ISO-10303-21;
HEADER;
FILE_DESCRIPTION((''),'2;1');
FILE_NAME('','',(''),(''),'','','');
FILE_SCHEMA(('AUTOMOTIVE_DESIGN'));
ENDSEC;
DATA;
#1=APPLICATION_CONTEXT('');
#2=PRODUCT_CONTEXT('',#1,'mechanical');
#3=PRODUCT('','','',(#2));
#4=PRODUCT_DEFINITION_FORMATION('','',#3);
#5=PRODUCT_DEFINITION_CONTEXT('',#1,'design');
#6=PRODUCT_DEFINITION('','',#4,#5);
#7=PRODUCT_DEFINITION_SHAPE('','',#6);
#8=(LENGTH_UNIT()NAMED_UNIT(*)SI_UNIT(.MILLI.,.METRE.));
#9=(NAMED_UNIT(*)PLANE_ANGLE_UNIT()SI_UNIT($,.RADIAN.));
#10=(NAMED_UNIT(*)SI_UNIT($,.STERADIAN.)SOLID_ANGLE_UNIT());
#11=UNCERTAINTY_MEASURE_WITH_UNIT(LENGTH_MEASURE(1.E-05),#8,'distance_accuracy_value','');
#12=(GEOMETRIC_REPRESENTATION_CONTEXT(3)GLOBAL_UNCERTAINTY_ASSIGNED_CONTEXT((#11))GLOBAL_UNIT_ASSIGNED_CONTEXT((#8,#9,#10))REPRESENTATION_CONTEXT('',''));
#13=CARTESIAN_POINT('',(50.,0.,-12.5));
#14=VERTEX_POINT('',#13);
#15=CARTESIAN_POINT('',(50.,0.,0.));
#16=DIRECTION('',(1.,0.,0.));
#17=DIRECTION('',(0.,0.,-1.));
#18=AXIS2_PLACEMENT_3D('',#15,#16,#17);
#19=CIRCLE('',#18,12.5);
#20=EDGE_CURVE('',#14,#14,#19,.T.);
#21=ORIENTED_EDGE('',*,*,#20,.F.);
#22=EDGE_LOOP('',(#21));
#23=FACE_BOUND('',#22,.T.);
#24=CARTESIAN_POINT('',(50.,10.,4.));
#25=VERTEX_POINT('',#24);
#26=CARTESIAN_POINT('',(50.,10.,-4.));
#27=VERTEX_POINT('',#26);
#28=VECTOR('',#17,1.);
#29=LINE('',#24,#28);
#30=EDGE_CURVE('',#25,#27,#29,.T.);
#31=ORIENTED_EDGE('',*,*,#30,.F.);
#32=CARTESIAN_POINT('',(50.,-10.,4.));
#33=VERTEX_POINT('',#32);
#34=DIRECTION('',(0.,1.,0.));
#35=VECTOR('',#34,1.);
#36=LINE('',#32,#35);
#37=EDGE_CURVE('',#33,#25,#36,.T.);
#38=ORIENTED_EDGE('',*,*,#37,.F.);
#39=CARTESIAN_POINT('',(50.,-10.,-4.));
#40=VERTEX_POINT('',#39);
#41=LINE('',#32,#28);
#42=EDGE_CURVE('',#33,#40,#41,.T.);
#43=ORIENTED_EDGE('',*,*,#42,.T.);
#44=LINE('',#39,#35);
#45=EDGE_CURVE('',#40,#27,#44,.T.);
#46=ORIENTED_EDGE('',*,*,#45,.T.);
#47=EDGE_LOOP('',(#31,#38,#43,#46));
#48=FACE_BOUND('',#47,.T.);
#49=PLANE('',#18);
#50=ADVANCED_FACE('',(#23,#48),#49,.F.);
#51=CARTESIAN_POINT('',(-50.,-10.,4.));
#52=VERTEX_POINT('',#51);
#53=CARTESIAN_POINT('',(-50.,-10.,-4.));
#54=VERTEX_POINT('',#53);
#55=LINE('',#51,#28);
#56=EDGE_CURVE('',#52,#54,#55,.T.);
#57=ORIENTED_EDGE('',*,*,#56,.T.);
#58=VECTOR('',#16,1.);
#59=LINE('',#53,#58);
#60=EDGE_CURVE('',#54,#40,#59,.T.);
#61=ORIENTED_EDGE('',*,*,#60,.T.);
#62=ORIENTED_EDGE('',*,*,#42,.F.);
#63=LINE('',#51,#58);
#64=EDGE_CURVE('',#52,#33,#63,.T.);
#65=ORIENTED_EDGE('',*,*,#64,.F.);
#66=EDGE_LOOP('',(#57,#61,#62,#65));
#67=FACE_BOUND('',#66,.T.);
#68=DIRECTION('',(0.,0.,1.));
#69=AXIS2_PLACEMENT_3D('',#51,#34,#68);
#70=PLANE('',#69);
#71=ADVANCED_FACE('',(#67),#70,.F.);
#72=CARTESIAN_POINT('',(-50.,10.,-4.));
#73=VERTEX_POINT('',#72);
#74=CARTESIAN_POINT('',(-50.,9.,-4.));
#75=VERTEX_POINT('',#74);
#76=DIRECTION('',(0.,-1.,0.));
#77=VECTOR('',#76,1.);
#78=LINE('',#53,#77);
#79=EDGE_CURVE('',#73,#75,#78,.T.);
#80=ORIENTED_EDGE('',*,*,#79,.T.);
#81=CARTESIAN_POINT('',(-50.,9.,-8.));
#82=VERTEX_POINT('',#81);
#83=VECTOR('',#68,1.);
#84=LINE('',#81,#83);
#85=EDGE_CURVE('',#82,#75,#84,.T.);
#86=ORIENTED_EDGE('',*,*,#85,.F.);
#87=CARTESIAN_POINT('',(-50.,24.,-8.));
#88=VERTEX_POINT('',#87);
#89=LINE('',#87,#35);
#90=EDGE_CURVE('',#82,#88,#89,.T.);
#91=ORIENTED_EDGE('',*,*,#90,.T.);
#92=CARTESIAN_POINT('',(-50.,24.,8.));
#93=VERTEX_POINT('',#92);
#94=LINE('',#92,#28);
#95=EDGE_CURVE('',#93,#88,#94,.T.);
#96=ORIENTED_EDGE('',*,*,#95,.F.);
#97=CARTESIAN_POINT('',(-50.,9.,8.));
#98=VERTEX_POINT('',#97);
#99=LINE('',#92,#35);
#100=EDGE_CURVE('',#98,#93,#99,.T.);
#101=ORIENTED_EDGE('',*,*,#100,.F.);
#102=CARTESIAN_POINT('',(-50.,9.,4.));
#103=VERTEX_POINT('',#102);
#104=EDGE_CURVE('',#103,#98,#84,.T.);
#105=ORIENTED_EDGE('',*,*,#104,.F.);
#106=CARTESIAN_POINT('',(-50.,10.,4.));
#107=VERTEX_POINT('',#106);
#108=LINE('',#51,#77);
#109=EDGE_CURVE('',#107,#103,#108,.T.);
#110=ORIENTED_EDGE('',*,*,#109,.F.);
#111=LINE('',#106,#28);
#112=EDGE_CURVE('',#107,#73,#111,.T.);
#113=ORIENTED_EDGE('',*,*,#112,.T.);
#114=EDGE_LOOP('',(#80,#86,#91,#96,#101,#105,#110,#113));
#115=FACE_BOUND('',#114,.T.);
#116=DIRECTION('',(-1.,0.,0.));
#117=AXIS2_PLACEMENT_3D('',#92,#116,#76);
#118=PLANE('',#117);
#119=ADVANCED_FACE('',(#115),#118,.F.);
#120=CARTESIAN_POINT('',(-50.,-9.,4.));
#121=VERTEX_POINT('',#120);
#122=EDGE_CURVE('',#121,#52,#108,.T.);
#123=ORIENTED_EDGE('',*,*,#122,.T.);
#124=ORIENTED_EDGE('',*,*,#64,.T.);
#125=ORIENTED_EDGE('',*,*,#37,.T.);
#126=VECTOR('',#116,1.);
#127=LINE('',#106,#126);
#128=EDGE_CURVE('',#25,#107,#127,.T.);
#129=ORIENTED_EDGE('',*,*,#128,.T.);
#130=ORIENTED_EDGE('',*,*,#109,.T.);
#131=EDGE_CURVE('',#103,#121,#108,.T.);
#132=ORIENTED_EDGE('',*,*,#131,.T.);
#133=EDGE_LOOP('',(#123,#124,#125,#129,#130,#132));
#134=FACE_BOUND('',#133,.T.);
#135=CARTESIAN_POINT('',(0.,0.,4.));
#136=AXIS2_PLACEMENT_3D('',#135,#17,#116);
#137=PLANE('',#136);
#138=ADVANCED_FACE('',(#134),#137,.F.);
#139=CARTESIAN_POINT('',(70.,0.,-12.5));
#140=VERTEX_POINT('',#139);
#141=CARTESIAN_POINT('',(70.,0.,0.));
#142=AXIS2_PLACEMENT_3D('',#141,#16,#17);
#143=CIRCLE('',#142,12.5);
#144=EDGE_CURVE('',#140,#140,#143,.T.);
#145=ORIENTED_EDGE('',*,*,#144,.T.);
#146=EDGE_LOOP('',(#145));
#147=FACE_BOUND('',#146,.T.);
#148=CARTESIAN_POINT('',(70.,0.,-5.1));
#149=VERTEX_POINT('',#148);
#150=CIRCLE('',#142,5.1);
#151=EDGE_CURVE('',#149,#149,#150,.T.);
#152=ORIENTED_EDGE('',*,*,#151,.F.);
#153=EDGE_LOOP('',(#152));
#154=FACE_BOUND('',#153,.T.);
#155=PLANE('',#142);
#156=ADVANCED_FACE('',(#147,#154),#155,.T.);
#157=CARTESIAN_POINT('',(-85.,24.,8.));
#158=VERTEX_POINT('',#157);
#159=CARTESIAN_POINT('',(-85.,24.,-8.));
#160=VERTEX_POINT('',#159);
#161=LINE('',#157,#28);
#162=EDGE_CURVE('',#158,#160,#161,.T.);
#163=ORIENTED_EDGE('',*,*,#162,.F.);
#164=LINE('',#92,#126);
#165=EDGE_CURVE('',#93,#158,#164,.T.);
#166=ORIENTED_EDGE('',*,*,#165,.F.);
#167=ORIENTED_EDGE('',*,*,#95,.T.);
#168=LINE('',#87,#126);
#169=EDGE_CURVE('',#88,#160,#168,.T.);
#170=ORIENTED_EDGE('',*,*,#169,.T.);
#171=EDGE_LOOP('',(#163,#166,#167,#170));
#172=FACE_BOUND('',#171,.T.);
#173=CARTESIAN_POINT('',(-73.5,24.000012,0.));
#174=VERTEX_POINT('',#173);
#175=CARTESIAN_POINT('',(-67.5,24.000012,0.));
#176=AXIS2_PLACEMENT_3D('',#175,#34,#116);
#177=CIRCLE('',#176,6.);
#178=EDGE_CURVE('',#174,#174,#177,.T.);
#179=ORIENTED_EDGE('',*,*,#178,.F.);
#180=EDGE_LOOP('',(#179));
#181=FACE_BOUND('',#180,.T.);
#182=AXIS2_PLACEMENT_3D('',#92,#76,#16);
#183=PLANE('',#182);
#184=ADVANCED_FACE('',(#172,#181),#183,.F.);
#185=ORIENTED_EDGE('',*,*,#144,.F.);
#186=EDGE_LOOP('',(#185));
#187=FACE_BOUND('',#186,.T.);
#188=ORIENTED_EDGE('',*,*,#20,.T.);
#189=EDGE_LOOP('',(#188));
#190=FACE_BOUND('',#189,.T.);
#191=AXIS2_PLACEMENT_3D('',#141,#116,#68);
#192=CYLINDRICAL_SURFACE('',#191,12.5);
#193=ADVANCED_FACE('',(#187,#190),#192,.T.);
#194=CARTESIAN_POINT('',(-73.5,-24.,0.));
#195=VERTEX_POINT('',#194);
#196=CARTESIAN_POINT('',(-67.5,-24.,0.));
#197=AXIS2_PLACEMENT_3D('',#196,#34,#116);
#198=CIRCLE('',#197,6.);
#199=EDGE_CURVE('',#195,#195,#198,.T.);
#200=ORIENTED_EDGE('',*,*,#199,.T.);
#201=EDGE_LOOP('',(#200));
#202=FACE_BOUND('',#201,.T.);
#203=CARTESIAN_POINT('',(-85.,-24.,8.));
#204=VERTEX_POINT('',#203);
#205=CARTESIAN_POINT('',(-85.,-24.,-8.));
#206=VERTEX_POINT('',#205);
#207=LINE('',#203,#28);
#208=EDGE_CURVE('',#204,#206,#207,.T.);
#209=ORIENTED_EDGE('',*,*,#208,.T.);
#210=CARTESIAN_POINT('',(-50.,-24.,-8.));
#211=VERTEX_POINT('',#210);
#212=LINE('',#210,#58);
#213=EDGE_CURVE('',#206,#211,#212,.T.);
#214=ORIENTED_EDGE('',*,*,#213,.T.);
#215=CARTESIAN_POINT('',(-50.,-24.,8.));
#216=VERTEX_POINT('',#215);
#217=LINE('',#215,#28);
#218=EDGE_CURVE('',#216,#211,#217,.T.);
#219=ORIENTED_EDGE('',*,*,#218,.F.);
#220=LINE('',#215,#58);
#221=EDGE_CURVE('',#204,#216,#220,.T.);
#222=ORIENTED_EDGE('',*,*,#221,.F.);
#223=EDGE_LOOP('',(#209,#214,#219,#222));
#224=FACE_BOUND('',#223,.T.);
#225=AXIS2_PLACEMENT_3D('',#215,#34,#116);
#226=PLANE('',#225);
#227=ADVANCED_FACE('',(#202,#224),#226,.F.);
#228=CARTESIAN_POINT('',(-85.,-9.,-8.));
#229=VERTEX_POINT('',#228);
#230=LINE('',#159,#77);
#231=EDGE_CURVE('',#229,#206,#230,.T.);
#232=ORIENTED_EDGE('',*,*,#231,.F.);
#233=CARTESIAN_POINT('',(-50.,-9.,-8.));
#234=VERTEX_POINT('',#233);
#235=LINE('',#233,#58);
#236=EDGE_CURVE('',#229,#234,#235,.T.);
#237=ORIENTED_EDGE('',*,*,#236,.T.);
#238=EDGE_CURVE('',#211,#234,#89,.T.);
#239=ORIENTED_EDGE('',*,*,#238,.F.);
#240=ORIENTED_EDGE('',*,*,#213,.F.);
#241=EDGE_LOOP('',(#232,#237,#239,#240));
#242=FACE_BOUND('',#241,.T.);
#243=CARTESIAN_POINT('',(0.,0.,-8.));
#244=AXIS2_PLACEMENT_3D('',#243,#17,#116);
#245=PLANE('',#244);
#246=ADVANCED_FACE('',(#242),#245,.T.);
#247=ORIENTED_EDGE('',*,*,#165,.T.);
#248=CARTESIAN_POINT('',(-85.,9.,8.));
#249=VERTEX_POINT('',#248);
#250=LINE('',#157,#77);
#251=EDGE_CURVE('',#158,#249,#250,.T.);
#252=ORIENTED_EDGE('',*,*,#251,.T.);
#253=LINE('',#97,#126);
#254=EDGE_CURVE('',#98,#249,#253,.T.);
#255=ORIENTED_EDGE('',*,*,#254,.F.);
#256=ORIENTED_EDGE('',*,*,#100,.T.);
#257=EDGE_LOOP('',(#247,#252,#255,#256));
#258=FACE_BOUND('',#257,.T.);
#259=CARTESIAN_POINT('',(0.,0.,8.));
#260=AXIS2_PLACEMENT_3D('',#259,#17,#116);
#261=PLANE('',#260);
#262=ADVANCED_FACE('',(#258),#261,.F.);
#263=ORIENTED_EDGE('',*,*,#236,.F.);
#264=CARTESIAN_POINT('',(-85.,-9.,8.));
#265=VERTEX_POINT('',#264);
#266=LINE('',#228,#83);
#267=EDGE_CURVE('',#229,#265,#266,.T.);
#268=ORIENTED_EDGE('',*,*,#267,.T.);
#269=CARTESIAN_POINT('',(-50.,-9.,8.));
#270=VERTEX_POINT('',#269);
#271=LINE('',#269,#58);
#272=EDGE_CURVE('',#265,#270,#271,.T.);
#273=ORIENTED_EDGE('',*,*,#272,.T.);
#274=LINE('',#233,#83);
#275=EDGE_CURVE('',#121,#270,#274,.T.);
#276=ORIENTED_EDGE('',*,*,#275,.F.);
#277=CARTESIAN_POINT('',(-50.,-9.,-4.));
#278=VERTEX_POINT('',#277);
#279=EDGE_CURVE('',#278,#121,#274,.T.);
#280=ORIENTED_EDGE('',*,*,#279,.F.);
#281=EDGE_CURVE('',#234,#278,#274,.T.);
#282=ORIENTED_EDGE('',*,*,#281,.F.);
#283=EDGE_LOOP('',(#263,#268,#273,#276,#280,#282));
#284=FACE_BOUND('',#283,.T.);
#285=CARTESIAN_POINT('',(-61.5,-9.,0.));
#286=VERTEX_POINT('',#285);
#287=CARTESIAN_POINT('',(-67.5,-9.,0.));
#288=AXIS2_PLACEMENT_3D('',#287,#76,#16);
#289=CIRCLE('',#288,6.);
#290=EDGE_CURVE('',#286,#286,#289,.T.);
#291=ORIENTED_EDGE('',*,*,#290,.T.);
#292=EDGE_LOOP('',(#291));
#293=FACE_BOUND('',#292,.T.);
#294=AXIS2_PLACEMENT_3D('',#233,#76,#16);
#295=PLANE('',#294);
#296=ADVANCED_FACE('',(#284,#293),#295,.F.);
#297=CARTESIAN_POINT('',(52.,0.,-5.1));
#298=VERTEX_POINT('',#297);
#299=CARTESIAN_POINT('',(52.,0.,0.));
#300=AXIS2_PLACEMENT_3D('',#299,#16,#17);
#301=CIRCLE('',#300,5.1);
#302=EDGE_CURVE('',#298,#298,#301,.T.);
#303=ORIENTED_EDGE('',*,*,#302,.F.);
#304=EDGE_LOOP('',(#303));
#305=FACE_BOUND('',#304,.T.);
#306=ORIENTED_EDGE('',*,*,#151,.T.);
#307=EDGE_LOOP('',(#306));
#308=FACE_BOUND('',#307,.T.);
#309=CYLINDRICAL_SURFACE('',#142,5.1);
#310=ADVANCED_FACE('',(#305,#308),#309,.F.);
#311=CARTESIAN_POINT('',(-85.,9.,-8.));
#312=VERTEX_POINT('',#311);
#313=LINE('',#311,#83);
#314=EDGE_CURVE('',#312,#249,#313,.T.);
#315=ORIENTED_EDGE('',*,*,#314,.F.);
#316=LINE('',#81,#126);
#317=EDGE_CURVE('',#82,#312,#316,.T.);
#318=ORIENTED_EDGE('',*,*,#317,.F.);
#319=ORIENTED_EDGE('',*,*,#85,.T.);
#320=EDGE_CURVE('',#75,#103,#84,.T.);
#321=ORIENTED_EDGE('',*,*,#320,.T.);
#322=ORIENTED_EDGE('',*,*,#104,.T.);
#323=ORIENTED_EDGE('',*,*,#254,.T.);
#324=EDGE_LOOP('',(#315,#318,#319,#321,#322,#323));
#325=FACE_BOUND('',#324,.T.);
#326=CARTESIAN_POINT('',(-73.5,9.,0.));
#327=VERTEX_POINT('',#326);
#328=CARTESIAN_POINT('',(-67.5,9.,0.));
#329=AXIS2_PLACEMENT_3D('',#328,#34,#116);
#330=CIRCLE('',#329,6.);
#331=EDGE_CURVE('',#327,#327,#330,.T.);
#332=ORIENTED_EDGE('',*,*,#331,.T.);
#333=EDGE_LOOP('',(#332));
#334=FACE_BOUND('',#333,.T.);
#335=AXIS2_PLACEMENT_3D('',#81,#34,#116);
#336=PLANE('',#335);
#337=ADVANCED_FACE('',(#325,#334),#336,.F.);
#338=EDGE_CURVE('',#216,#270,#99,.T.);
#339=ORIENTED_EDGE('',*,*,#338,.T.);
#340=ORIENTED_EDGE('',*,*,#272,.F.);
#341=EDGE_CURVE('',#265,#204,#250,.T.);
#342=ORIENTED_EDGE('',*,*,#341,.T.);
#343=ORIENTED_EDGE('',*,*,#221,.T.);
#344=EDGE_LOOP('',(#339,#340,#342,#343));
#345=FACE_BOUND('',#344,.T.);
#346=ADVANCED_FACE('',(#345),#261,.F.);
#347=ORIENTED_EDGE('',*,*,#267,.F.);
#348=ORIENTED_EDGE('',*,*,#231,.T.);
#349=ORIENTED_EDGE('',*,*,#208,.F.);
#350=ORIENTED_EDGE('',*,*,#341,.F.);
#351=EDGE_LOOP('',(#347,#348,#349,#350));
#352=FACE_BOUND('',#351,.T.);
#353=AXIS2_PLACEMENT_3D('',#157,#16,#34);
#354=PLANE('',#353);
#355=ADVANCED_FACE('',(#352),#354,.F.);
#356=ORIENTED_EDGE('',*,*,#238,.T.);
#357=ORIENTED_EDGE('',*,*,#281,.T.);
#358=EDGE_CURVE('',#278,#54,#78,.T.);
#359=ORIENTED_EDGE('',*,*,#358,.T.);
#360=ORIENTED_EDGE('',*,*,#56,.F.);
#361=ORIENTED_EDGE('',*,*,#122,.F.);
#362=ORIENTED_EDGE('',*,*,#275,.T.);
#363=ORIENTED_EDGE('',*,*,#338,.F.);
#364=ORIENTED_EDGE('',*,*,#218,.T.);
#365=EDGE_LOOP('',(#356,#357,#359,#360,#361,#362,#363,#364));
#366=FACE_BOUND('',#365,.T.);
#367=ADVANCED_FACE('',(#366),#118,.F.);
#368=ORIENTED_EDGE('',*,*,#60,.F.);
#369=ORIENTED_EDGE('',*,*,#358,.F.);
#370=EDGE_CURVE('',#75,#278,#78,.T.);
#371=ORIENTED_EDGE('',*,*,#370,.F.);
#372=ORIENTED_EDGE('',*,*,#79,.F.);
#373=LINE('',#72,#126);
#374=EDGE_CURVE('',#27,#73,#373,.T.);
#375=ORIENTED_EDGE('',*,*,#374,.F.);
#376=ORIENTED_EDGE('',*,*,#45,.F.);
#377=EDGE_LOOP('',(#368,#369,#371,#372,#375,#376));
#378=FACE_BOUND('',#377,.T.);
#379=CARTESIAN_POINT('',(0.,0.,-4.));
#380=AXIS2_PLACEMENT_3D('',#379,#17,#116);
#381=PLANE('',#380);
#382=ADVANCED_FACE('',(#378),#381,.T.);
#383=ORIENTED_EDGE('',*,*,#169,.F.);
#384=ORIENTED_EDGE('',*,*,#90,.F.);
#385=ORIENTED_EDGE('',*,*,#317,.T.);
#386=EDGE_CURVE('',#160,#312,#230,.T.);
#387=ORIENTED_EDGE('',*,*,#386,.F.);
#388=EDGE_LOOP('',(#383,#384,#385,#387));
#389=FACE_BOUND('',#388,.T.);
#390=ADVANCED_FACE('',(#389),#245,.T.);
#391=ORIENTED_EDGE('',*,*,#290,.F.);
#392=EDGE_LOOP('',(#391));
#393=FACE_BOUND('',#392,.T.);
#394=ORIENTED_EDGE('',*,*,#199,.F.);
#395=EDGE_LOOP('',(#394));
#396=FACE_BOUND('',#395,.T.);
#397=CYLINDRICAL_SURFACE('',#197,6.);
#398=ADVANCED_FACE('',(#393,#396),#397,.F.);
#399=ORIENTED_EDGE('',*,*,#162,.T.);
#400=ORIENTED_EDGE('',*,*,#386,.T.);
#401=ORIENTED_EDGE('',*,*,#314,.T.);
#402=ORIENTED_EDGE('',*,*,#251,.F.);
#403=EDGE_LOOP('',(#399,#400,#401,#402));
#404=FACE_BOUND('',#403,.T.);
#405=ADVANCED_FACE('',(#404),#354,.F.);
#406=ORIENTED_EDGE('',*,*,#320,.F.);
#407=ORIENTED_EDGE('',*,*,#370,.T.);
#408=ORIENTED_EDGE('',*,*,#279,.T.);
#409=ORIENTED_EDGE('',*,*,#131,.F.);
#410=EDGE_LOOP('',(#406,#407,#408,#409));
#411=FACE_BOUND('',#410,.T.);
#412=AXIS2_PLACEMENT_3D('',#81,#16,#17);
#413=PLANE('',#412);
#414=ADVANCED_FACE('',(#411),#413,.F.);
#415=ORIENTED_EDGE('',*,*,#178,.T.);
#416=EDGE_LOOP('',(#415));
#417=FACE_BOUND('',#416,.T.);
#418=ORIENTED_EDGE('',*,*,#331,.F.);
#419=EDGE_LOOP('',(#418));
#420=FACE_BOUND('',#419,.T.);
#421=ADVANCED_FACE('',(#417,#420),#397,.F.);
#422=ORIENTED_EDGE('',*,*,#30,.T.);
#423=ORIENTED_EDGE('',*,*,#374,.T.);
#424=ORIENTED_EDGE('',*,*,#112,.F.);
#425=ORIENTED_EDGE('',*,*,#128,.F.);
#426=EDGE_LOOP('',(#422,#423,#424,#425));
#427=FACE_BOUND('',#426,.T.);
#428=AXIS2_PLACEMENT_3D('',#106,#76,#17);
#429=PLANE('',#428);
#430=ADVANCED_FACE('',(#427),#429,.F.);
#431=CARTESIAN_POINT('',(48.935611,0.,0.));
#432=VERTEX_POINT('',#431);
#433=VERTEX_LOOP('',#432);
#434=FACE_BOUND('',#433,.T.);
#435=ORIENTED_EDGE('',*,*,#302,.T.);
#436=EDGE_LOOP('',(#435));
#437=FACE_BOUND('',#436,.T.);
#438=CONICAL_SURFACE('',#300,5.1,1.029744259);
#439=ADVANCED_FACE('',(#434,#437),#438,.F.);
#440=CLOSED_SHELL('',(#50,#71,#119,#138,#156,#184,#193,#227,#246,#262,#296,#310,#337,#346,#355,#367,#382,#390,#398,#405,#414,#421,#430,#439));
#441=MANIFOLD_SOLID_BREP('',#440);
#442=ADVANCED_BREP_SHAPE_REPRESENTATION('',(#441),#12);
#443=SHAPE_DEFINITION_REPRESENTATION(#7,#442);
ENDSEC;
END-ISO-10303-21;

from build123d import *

# Parameters (mm, degrees)
ESQUISSE1_W                  = 100
ESQUISSE1_H                  = 20
BOSS_EXTRU_1_DEPTH           = 4
BOSS_EXTRU_2_DEPTH           = 4
BOSS_EXTRU_2_DEPTH_BACK      = 12
ESQUISSE2_W                  = 35
ESQUISSE2_H                  = 48
ENL_V_MAT_EXTRU_1_DEPTH      = 90.134729483
ENL_V_MAT_EXTRU_1_DEPTH_BACK = 90.134729483
ESQUISSE3_W                  = 35
ESQUISSE3_H                  = 18
ENL_V_MAT_EXTRU_2_DEPTH      = 98.943861472
ENL_V_MAT_EXTRU_2_DEPTH_BACK = 98.943861472
ESQUISSE6_R                  = 6
ESQUISSE7_R                  = 12.5
BOSS_EXTRU_3_DEPTH           = 20
M12_TAPPED_HOLE1_D           = 10.2
M12_TAPPED_HOLE1_DEPTH       = 18
M12_TAPPED_HOLE1_TIP         = 3.064389157


with BuildPart() as part:
    # Esquisse1 → Boss.-Extru.1 (new, symmetric)
    with BuildSketch(Plane.XY):
        Rectangle(ESQUISSE1_W, ESQUISSE1_H)
    extrude(amount=BOSS_EXTRU_1_DEPTH, both=True)

    # Esquisse2 → Boss.-Extru.2 (add, two sides: drawn at the far end of the back side and taken through both)
    with BuildSketch(Plane.XY.offset(4).offset(-BOSS_EXTRU_2_DEPTH_BACK)):
        with Locations((-67.5, 0)):
            Rectangle(ESQUISSE2_W, ESQUISSE2_H)
    extrude(amount=BOSS_EXTRU_2_DEPTH + BOSS_EXTRU_2_DEPTH_BACK)

    # Esquisse3 → Enlèv. mat.-Extru.1 (cut, two sides: drawn at the far end of the back side and taken through both)
    with BuildSketch(Plane.XY.offset(4).offset(-ENL_V_MAT_EXTRU_1_DEPTH_BACK)):
        with Locations((-67.5, 0)):
            Rectangle(ESQUISSE3_W, ESQUISSE3_H)
    extrude(amount=ENL_V_MAT_EXTRU_1_DEPTH + ENL_V_MAT_EXTRU_1_DEPTH_BACK, mode=Mode.SUBTRACT)

    # Esquisse6 → Enlèv. mat.-Extru.2 (cut, two sides: drawn at the far end of the back side and taken through both)
    with BuildSketch(Plane(origin=(0, 24, 0), x_dir=(1, 0, 0), z_dir=(0, 1, 0)).offset(-ENL_V_MAT_EXTRU_2_DEPTH_BACK)):
        with Locations((-67.5, 0)):
            Circle(ESQUISSE6_R)
    extrude(amount=ENL_V_MAT_EXTRU_2_DEPTH + ENL_V_MAT_EXTRU_2_DEPTH_BACK, mode=Mode.SUBTRACT)

    # Esquisse7 → Boss.-Extru.3 (add)
    with BuildSketch(Plane(origin=(50, 0, 0), x_dir=(0, 0, -1), z_dir=(1, 0, 0))):
        Circle(ESQUISSE7_R)
    extrude(amount=BOSS_EXTRU_3_DEPTH)

    # M12 Tapped Hole1
    with Locations(Plane(origin=(70, 0, 0), x_dir=(0, 0, -1), z_dir=(1, 0, 0))):
        with Locations((0, 0)):
            Hole(M12_TAPPED_HOLE1_D / 2, depth=M12_TAPPED_HOLE1_DEPTH)
            with Locations((0, 0, -(M12_TAPPED_HOLE1_DEPTH + M12_TAPPED_HOLE1_TIP / 2))):  # 118° drill point
                Cone(0, M12_TAPPED_HOLE1_D / 2, M12_TAPPED_HOLE1_TIP, mode=Mode.SUBTRACT)


solid = part.part
